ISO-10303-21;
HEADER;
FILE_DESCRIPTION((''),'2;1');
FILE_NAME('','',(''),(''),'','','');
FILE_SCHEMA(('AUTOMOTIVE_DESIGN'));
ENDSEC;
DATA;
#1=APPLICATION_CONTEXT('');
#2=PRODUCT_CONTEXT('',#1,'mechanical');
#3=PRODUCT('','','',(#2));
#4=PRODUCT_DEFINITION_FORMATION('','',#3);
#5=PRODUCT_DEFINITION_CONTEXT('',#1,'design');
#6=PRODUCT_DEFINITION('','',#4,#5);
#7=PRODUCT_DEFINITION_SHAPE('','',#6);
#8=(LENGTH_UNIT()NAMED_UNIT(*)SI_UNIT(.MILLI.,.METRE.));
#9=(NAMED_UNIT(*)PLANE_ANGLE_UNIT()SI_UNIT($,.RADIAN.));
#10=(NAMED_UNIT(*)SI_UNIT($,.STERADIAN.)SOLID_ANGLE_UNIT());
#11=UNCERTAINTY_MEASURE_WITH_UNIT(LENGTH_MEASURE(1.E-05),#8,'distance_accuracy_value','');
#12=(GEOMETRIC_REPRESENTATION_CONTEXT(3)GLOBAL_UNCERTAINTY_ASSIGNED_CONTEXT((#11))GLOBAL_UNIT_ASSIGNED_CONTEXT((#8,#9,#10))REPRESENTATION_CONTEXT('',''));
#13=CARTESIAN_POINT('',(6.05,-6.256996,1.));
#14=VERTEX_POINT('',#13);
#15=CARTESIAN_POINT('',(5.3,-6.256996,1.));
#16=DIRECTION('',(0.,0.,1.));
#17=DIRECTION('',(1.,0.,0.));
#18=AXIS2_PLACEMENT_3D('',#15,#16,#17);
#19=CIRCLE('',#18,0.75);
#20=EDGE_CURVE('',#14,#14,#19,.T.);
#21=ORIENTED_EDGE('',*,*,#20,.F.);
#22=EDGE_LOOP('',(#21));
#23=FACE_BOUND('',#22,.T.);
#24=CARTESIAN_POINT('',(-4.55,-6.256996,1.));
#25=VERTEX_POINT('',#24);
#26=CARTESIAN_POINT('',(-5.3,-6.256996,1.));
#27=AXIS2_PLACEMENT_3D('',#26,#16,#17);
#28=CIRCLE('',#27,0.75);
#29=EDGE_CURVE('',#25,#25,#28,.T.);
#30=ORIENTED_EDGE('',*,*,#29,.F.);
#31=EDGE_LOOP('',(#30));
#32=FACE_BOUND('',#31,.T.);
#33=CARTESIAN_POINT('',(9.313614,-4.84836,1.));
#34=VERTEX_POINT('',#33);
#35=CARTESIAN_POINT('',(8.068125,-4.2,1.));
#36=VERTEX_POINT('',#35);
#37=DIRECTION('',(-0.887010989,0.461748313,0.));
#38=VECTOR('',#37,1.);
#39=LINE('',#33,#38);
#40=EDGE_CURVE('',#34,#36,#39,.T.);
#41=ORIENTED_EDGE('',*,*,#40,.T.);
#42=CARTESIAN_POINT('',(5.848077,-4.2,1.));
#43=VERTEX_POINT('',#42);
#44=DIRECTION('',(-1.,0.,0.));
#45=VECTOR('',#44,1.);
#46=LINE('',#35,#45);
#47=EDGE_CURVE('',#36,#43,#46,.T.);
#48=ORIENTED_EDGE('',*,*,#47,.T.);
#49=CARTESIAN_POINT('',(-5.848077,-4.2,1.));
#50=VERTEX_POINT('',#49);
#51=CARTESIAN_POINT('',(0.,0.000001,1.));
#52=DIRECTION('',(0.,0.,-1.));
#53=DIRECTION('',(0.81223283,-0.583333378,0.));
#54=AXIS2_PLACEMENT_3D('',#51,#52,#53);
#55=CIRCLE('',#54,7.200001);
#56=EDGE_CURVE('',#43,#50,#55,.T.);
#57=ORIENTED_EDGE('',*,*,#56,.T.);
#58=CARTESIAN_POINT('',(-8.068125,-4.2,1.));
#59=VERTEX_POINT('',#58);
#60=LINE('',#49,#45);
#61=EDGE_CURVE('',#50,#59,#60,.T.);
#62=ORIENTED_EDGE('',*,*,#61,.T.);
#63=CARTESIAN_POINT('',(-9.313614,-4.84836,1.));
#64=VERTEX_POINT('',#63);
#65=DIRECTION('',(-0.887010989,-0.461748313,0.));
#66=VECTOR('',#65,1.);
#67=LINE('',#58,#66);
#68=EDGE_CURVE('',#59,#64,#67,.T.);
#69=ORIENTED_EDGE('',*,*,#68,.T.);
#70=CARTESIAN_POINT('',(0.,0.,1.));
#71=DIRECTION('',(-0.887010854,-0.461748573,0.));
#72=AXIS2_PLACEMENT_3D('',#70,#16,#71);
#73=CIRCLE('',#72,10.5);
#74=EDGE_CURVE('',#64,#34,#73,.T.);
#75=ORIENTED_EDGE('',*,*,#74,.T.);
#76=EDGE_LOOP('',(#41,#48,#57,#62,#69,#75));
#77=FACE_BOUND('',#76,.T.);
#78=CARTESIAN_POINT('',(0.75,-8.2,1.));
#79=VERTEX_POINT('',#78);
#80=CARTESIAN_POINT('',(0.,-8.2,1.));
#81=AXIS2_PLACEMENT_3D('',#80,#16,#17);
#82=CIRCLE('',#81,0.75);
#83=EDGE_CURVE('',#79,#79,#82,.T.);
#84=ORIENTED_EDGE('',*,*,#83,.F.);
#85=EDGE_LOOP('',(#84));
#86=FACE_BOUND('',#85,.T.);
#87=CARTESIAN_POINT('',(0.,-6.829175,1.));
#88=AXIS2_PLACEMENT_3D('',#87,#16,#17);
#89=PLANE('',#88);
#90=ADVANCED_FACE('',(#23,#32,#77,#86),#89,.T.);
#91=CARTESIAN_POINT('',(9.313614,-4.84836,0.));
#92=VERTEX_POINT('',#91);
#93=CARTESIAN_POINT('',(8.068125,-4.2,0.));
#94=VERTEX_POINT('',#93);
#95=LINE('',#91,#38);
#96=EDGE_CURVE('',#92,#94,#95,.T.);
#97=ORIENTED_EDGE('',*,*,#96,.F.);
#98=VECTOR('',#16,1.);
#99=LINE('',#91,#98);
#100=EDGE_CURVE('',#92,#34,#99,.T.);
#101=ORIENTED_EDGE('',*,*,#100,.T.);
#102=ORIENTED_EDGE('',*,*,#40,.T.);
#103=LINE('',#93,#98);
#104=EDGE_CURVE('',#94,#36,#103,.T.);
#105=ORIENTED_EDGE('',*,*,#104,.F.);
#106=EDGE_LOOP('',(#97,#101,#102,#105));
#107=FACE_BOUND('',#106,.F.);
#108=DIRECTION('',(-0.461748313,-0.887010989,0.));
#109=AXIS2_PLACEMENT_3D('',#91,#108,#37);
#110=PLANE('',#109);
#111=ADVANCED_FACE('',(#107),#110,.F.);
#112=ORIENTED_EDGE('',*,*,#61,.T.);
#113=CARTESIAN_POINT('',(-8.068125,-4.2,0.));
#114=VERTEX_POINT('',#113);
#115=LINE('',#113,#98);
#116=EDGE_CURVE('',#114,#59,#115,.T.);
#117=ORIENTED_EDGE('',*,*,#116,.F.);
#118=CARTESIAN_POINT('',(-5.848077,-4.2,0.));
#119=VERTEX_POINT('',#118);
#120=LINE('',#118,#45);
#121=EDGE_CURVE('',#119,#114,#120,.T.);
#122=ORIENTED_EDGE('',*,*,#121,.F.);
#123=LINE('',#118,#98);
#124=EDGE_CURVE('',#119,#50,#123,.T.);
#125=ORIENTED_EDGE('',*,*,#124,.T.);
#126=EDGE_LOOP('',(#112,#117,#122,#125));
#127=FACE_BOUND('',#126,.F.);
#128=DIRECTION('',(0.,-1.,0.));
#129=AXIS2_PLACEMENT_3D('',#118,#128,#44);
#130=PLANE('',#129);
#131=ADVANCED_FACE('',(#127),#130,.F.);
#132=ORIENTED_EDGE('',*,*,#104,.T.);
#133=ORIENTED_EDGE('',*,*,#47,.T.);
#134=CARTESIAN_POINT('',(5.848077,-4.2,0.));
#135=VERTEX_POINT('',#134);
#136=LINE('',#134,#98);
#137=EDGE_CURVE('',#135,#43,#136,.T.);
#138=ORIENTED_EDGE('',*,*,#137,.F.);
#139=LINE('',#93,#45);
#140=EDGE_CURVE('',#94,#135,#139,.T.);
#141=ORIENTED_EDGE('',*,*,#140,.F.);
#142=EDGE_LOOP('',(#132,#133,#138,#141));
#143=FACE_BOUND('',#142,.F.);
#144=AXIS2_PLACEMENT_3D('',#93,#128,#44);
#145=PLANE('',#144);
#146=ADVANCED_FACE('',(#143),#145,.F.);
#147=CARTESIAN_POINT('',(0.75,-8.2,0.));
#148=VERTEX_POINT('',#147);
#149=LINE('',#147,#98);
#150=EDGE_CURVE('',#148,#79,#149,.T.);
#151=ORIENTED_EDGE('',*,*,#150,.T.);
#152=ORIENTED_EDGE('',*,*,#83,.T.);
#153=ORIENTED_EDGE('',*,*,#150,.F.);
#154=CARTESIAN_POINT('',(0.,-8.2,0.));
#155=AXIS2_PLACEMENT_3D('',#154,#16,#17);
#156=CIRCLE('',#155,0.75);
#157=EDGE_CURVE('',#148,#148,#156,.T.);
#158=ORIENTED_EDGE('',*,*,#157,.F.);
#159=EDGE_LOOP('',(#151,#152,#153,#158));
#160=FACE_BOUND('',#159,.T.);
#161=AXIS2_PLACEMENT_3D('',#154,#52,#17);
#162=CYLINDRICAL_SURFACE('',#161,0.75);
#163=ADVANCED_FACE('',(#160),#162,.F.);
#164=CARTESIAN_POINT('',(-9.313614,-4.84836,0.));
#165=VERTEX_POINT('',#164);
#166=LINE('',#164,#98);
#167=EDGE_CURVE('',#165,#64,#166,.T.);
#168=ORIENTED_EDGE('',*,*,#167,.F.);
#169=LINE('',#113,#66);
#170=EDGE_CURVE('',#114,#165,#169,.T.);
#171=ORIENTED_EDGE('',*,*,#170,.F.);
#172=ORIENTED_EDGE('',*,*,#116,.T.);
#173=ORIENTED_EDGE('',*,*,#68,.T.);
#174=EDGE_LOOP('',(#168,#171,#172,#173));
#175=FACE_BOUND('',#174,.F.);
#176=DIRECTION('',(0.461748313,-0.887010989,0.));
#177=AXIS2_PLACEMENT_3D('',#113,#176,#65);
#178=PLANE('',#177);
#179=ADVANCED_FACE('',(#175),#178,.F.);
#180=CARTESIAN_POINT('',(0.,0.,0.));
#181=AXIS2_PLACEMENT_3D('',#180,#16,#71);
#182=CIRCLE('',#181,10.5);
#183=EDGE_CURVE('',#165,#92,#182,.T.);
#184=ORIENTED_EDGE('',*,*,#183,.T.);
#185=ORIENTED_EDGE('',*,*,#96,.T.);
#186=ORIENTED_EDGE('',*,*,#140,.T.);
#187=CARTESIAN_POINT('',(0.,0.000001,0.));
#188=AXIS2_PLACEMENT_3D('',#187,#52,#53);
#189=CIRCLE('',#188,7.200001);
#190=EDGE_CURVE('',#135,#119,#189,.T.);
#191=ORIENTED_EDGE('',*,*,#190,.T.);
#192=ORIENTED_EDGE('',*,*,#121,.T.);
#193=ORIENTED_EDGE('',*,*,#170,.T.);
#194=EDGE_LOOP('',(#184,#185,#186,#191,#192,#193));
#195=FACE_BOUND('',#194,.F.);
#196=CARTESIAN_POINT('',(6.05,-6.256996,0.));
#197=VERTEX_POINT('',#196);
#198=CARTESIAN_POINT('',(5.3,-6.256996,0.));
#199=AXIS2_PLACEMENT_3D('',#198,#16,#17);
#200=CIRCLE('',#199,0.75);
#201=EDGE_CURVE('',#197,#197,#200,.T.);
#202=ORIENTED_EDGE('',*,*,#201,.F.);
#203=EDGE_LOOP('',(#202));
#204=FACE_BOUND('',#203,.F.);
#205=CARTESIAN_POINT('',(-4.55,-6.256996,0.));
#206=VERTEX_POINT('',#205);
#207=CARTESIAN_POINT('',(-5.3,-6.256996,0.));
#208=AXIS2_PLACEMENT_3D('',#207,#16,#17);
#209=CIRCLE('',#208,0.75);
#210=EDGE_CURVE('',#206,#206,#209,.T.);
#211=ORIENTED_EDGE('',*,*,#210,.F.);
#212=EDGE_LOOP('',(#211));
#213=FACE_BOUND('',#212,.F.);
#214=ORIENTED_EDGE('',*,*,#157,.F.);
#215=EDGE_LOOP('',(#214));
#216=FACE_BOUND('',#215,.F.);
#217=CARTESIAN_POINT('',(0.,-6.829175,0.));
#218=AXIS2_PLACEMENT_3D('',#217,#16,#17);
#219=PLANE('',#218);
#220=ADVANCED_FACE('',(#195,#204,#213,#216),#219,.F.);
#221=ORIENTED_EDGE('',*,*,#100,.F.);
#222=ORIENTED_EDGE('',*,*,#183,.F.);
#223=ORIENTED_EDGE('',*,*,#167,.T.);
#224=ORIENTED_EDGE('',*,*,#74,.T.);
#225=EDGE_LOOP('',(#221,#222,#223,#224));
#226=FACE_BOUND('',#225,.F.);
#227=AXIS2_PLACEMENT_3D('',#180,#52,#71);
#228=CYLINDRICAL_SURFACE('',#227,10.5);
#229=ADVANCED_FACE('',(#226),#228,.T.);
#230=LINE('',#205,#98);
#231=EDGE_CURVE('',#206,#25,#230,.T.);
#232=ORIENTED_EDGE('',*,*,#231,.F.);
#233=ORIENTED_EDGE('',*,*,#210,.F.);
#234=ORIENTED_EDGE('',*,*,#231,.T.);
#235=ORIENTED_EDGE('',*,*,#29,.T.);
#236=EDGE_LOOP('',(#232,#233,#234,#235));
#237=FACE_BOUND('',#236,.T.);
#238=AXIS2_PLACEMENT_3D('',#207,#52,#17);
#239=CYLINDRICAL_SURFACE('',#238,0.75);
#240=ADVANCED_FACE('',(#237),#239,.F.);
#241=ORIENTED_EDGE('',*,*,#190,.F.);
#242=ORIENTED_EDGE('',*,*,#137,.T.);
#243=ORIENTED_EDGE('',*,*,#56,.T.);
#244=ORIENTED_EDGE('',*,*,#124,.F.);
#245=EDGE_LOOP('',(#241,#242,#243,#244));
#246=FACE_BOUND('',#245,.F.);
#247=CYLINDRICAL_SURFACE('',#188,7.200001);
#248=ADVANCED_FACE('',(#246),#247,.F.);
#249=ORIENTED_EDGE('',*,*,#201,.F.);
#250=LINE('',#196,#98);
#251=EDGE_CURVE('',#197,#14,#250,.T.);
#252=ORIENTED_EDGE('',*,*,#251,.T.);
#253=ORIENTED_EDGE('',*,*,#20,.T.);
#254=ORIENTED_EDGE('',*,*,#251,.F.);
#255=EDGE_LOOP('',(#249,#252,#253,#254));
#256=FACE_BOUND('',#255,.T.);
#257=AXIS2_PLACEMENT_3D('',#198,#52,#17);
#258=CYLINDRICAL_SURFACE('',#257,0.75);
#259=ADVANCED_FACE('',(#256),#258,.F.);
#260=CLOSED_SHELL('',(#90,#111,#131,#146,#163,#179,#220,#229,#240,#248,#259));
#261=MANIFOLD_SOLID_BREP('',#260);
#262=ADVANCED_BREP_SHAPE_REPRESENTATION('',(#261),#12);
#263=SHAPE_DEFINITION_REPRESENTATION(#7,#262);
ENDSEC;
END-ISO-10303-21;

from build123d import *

# Parameters (mm, degrees)
F0_R     = 0.75
F1_DEPTH = 1


with BuildPart() as f1:
    # F0 (on Top) → F1 (new body)
    with BuildSketch(Plane.XY):
        with BuildLine():
            Line((-8.068125, -4.2), (-9.313614, -4.84836))
            ThreePointArc((-9.313614, -4.84836), (0, -10.5), (9.313614, -4.84836))
            Line((9.313614, -4.84836), (8.068125, -4.2))
            Line((8.068125, -4.2), (5.848077, -4.2))
            ThreePointArc((5.848077, -4.2), (0, -7.2), (-5.848077, -4.2))
            Line((-5.848077, -4.2), (-8.068125, -4.2))
        make_face()
        with Locations((0, -8.2)):
            Circle(F0_R, mode=Mode.SUBTRACT)
        with Locations((-5.3, -6.256996)):
            Circle(F0_R, mode=Mode.SUBTRACT)
        with Locations((5.3, -6.256996)):
            Circle(F0_R, mode=Mode.SUBTRACT)
    extrude(amount=F1_DEPTH)


solid = f1.part
